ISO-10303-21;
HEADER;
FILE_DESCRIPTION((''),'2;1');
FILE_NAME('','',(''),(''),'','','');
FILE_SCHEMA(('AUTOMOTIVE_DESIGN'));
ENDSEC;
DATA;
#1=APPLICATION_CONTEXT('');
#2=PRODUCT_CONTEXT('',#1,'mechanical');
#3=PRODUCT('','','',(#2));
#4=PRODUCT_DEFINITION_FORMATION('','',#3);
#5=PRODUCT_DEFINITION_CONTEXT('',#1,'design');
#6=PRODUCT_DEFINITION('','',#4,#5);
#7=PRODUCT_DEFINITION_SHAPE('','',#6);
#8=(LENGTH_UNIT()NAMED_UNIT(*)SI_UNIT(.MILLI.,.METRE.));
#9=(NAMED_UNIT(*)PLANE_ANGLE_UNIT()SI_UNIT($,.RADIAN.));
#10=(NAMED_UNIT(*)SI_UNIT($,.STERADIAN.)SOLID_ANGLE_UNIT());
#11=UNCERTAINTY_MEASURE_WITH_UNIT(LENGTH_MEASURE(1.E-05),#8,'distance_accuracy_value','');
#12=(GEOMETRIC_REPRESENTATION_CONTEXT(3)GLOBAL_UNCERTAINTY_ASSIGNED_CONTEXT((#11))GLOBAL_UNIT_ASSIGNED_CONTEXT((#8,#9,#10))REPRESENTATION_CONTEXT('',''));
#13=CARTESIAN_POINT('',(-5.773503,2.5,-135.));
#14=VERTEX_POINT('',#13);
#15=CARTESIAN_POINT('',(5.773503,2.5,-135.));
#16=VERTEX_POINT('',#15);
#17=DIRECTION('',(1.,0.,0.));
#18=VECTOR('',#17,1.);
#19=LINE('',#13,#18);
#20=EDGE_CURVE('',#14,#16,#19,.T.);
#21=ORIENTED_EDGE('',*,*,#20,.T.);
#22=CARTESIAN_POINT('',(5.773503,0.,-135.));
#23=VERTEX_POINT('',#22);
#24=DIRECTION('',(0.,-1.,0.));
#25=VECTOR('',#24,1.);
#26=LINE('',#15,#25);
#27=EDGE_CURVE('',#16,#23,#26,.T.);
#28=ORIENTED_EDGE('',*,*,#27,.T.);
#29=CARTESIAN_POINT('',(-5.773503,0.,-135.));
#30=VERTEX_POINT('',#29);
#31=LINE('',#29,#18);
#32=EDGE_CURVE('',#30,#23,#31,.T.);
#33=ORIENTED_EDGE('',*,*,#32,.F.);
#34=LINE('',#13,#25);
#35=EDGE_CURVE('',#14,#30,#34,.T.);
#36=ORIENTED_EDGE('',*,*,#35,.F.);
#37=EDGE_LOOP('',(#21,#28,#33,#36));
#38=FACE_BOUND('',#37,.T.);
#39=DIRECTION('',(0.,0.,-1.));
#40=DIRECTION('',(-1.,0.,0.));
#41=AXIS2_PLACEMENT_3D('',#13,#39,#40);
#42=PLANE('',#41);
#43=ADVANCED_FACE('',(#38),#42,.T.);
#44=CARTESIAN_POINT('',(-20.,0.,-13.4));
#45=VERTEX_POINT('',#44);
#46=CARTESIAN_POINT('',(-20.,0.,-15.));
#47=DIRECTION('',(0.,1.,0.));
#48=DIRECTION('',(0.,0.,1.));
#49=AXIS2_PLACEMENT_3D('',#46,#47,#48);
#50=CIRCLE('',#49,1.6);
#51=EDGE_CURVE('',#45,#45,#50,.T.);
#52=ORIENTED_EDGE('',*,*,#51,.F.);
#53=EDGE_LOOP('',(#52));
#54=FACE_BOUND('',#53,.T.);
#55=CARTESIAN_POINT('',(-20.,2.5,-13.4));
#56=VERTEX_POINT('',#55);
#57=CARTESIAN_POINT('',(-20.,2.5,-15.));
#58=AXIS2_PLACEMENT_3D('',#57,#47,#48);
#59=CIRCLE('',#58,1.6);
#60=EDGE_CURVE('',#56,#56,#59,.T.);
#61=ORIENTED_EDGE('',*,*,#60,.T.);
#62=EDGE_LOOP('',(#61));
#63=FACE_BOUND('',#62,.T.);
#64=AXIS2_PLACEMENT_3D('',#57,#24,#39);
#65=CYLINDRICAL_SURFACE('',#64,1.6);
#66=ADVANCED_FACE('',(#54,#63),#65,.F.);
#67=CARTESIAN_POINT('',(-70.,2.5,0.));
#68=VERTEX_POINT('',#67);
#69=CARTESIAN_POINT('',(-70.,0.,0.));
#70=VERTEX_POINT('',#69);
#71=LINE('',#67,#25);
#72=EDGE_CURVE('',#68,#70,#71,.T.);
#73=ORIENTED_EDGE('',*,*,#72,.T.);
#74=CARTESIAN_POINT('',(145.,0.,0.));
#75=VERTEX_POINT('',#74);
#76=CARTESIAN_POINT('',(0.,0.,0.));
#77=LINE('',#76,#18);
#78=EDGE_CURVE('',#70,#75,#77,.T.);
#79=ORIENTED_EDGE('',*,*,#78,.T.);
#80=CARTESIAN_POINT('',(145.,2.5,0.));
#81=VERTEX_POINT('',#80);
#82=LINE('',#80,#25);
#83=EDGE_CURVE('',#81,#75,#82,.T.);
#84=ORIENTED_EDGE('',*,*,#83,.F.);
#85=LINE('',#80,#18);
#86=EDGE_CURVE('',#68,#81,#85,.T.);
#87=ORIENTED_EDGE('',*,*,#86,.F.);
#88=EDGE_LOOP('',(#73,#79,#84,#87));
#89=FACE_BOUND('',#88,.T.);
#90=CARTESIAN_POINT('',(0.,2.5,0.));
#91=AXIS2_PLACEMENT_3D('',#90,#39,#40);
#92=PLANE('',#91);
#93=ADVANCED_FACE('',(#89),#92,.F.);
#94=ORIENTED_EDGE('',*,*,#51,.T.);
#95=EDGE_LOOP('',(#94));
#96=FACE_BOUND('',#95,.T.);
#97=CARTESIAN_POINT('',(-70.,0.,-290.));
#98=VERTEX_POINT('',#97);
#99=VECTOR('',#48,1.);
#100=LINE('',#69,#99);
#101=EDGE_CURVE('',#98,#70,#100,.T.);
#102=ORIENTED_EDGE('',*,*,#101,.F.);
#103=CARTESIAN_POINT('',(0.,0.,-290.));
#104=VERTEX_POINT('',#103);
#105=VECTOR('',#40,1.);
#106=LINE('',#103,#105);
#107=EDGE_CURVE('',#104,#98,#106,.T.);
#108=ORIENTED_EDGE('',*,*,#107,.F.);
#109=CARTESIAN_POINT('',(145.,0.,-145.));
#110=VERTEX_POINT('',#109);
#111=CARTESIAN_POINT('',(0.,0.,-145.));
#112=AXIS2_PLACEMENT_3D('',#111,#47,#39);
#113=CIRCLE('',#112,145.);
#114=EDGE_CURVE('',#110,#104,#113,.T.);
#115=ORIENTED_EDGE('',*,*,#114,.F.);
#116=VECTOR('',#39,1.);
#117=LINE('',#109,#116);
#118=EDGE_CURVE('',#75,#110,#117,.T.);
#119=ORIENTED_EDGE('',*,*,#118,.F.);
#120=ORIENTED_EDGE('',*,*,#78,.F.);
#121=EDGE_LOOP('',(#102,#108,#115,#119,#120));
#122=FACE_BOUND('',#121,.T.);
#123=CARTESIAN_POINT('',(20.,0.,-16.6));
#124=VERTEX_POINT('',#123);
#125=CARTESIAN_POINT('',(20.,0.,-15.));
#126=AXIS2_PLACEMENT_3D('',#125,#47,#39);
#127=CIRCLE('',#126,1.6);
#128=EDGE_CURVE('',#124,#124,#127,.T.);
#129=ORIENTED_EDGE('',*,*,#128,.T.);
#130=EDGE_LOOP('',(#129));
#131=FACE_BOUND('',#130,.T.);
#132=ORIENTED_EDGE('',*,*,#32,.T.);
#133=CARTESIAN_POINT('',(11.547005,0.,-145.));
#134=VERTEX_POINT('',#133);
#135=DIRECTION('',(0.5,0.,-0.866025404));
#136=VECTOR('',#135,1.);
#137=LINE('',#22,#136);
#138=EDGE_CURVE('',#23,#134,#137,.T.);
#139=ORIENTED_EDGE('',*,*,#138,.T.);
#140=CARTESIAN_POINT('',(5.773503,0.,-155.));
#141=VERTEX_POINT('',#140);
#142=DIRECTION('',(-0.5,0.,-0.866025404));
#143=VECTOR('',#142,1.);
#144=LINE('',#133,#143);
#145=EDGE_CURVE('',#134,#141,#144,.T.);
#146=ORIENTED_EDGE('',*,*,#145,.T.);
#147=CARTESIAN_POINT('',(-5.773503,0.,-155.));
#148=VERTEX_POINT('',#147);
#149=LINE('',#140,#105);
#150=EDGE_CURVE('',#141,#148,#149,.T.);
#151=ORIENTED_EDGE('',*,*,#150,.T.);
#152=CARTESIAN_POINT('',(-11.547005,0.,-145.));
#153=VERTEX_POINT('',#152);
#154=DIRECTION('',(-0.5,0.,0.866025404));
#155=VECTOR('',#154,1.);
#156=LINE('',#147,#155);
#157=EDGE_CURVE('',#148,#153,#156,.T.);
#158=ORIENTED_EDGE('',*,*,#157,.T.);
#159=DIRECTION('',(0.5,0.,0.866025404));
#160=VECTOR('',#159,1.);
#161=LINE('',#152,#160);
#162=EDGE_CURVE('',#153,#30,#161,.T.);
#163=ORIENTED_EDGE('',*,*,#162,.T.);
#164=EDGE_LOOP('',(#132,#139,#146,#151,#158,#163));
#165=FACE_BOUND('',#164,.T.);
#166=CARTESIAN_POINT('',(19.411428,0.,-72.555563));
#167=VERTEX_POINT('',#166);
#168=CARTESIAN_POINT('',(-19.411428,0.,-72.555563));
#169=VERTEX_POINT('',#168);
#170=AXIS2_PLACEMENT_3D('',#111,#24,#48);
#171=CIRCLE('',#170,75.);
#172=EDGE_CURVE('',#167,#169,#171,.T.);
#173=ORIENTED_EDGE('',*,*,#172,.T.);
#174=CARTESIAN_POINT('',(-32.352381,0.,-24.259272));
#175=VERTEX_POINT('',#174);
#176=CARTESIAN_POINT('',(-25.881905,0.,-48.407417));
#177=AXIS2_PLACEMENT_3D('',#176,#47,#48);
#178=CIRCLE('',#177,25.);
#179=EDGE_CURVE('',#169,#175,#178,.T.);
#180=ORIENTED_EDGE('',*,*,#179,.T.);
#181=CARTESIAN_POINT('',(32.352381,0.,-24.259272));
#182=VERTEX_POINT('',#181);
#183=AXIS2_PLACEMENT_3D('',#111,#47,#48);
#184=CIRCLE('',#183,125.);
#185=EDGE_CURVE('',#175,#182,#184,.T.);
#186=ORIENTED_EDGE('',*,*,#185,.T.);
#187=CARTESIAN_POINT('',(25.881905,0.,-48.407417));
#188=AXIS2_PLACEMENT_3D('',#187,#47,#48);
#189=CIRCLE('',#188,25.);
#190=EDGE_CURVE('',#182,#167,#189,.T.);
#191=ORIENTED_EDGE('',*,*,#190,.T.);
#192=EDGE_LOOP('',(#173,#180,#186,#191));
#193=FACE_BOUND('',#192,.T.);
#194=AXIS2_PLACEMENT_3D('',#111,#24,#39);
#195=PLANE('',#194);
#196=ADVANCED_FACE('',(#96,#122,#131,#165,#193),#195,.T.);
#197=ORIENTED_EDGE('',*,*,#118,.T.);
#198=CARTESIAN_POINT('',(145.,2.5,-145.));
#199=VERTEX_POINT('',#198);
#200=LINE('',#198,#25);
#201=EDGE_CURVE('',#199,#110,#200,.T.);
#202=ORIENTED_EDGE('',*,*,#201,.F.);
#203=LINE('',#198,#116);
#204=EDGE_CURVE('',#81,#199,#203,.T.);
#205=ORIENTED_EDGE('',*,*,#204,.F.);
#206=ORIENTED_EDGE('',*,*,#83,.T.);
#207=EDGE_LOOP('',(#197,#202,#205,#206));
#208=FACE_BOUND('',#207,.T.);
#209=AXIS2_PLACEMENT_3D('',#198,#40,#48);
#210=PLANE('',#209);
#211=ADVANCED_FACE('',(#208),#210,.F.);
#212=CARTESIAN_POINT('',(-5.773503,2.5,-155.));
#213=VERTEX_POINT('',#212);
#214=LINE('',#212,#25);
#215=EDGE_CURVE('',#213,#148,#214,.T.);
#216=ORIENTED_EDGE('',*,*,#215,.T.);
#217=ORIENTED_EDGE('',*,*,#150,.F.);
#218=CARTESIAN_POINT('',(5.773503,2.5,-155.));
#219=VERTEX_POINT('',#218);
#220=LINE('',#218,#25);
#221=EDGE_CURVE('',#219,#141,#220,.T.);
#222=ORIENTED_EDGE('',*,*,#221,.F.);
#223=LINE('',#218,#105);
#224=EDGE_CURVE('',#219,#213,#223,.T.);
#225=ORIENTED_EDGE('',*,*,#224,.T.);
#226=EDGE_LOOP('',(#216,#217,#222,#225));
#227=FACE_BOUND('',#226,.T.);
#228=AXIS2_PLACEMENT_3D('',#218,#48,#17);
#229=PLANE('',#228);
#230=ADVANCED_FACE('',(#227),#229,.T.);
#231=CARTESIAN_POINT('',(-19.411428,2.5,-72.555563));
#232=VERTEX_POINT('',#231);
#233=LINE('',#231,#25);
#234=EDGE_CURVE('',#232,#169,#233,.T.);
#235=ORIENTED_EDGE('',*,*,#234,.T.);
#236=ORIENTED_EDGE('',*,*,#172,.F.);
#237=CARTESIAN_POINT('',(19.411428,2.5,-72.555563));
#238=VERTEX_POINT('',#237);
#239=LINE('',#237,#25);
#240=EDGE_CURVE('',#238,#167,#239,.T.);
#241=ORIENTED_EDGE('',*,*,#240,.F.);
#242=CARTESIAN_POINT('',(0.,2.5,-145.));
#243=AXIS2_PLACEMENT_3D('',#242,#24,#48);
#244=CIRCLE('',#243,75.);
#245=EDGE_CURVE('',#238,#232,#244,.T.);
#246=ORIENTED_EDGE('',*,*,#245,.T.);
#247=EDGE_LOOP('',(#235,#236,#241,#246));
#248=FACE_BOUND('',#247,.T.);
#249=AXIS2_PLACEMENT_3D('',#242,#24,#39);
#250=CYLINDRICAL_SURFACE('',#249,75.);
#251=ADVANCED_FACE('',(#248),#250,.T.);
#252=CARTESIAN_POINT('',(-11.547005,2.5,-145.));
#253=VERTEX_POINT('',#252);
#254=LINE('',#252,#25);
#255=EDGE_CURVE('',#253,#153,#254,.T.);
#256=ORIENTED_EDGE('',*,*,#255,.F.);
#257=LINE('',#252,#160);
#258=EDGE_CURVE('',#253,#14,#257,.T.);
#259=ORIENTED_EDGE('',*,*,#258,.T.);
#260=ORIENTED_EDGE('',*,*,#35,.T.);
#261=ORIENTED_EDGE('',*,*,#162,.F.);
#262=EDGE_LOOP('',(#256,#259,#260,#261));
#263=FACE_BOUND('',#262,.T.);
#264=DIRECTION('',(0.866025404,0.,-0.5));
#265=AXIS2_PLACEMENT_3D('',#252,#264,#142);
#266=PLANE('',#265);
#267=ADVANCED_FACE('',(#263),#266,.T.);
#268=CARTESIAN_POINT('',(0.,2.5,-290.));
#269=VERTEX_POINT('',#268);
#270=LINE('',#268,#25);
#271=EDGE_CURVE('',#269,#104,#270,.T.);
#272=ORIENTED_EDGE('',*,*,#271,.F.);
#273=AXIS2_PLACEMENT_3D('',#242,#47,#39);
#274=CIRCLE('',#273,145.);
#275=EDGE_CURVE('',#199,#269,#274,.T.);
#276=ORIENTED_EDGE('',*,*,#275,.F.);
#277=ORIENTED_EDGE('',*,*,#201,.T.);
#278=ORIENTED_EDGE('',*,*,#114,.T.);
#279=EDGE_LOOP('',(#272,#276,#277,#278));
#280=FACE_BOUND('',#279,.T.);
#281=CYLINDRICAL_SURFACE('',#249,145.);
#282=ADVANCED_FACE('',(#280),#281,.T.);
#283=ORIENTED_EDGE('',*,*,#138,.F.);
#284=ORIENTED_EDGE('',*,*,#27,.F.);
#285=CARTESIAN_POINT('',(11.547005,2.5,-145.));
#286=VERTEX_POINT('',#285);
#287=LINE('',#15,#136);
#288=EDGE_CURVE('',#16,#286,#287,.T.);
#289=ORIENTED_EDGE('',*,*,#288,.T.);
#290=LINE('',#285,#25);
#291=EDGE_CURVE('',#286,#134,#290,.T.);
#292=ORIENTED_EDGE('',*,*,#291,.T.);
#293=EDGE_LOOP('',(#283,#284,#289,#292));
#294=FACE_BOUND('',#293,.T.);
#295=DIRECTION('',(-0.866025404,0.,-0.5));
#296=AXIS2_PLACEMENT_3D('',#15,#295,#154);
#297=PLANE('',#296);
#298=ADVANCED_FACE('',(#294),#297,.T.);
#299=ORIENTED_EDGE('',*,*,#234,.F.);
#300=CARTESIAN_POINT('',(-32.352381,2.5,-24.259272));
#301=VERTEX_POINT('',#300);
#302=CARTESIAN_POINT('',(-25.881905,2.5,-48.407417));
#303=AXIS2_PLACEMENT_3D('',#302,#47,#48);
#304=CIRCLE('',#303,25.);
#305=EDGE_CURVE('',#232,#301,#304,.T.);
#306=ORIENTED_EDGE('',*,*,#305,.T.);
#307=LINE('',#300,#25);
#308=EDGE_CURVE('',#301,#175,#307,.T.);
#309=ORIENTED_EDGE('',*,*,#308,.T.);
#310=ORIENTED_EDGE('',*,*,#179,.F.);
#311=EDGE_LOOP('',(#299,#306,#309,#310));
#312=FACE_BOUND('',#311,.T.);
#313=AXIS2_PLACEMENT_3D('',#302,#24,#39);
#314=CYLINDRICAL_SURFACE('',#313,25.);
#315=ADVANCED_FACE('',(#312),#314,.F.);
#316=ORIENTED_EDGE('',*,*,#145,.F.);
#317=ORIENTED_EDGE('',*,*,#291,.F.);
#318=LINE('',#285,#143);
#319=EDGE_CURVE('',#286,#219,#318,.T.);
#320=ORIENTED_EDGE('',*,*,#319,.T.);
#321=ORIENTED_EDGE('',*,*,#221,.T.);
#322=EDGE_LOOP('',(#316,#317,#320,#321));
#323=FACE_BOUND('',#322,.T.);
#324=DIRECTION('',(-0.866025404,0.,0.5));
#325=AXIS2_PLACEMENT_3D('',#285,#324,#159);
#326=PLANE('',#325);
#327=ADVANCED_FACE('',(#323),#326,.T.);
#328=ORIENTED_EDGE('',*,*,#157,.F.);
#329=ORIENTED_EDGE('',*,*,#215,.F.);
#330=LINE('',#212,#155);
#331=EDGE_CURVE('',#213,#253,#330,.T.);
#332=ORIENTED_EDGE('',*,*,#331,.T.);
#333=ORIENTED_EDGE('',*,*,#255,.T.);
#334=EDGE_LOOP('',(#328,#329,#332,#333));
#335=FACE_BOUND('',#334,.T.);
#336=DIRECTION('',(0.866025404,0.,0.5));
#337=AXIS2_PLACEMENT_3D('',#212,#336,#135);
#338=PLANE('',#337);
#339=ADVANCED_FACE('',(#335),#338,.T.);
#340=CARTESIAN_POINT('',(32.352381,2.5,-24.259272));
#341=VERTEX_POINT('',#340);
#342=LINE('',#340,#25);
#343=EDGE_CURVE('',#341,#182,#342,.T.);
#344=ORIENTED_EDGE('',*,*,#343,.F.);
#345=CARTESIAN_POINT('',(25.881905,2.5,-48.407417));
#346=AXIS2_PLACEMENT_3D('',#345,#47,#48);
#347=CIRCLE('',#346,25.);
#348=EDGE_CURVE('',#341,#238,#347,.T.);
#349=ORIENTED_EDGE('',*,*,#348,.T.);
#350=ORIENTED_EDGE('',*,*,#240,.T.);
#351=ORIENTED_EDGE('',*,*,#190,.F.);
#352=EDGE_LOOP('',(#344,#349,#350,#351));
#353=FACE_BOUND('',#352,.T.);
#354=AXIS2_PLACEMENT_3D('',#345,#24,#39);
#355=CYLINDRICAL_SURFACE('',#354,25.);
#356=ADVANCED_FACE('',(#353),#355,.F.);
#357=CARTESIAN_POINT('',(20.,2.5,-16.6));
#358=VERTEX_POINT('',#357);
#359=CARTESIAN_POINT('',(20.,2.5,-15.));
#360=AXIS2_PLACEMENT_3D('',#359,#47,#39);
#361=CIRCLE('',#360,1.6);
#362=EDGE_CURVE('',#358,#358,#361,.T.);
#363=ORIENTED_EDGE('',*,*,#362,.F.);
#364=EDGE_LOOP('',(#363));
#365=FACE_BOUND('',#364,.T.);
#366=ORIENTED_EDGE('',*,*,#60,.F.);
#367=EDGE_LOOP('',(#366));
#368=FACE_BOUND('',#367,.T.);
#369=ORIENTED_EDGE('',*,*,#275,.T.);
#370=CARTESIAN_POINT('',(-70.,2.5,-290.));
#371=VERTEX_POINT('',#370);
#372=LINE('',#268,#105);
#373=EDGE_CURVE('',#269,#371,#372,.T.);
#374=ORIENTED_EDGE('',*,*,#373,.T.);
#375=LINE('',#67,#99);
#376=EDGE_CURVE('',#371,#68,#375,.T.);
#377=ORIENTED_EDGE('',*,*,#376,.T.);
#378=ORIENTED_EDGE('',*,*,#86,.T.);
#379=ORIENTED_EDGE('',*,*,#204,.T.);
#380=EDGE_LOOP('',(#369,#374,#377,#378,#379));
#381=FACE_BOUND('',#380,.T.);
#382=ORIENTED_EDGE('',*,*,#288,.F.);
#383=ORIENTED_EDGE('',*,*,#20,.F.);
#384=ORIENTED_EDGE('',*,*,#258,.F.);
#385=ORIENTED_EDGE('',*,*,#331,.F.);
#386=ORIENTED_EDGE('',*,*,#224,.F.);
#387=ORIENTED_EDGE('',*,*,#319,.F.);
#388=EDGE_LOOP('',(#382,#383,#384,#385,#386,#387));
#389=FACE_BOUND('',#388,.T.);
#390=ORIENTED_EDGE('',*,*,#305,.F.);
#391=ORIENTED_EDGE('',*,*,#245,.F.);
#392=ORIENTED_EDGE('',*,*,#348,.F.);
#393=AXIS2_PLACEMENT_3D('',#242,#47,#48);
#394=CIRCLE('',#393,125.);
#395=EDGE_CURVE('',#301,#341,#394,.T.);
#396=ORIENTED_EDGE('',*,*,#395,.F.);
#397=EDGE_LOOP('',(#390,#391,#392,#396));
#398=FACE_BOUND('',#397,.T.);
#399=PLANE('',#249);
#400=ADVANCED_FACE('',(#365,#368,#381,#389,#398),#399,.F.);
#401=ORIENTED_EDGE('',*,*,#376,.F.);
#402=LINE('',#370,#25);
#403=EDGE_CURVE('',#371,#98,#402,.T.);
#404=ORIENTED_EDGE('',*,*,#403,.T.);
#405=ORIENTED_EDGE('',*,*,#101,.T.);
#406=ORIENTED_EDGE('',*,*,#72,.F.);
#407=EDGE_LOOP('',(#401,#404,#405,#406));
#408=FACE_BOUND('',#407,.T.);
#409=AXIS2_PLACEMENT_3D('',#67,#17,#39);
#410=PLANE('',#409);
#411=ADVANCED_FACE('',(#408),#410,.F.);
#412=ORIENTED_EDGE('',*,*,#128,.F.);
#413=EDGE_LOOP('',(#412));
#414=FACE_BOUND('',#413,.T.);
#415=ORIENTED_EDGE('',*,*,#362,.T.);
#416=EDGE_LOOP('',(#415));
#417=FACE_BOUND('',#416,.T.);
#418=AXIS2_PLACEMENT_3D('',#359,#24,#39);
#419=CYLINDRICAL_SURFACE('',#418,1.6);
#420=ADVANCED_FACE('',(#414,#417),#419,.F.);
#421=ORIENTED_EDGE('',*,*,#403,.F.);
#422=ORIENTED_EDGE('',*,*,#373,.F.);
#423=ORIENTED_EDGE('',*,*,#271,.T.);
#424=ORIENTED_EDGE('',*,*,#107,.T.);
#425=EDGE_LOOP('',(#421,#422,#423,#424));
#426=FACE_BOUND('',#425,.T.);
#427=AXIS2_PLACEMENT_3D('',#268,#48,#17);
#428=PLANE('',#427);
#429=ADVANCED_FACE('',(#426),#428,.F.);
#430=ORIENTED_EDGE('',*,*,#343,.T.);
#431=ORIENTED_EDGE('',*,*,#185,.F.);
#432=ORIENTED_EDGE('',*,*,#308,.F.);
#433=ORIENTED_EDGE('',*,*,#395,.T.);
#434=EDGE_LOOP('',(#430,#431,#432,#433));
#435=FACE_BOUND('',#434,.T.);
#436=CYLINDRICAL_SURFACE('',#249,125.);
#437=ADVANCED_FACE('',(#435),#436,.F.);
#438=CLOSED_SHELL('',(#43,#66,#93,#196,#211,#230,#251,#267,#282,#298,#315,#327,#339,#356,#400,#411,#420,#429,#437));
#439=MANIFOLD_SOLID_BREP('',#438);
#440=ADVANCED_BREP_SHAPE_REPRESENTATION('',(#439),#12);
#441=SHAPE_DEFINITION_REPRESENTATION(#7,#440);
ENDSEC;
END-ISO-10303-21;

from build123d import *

# Parameters (mm, degrees)
BOSS_EXTRUDE2_DEPTH = 2.5
CUT_EXTRUDE5_DEPTH  = 3.5
CUT_EXTRUDE7_DEPTH  = 3.5
SKETCH8_R           = 1.6
CUT_EXTRUDE8_DEPTH  = 3.5


with BuildPart() as part:
    # Sketch1 → Boss-Extrude2 (new body)
    with BuildSketch(Plane(origin=(0, 0, 0), x_dir=(1, 0, 0), z_dir=(0, 1, 0))):
        with BuildLine():
            Line((0, 0), (-70, 0))
            Line((-70, 0), (-70, 290))
            Line((-70, 290), (0, 290))
            ThreePointArc((0, 290), (102.530483272, 247.530483272), (145, 145))
            Line((145, 145), (145, 0))
            Line((145, 0), (0, 0))
        make_face()
    extrude(amount=BOSS_EXTRUDE2_DEPTH)

    # Sketch6 → Cut-Extrude5 (cut, through all)
    with BuildSketch(Plane(origin=(0, 0, 0), x_dir=(1, 0, 0), z_dir=(0, 1, 0))):
        Polygon((5.773502692, 135), (11.547005384, 145), (5.773502692, 155), (-5.773502692, 155), (-11.547005384, 145), (-5.773502692, 135), align=None)
    extrude(amount=CUT_EXTRUDE5_DEPTH, mode=Mode.SUBTRACT)

    # Sketch7 → Cut-Extrude7 (cut, through all)
    with BuildSketch(Plane(origin=(0, 0, 0), x_dir=(1, 0, 0), z_dir=(0, 1, 0))):
        with BuildLine():
            ThreePointArc((-32.352380638, 24.259271714), (0, 20), (32.352380638, 24.259271714))
            ThreePointArc((32.352380638, 24.259271714), (50.030050167, 54.877893499), (19.411428383, 72.555563028))
            ThreePointArc((19.411428383, 72.555563028), (0, 70), (-19.411428383, 72.555563028))
            ThreePointArc((-19.411428383, 72.555563028), (-50.030050167, 54.877893499), (-32.352380638, 24.259271714))
        make_face()
    extrude(amount=CUT_EXTRUDE7_DEPTH, mode=Mode.SUBTRACT)

    # Sketch8 → Cut-Extrude8 (cut, through all)
    with BuildSketch(Plane(origin=(0, 0, 0), x_dir=(1, 0, 0), z_dir=(0, 1, 0))):
        with Locations((-20, 15)):
            Circle(SKETCH8_R)
        with Locations((20, 15)):
            Circle(SKETCH8_R)
    extrude(amount=CUT_EXTRUDE8_DEPTH, mode=Mode.SUBTRACT)


solid = part.part
